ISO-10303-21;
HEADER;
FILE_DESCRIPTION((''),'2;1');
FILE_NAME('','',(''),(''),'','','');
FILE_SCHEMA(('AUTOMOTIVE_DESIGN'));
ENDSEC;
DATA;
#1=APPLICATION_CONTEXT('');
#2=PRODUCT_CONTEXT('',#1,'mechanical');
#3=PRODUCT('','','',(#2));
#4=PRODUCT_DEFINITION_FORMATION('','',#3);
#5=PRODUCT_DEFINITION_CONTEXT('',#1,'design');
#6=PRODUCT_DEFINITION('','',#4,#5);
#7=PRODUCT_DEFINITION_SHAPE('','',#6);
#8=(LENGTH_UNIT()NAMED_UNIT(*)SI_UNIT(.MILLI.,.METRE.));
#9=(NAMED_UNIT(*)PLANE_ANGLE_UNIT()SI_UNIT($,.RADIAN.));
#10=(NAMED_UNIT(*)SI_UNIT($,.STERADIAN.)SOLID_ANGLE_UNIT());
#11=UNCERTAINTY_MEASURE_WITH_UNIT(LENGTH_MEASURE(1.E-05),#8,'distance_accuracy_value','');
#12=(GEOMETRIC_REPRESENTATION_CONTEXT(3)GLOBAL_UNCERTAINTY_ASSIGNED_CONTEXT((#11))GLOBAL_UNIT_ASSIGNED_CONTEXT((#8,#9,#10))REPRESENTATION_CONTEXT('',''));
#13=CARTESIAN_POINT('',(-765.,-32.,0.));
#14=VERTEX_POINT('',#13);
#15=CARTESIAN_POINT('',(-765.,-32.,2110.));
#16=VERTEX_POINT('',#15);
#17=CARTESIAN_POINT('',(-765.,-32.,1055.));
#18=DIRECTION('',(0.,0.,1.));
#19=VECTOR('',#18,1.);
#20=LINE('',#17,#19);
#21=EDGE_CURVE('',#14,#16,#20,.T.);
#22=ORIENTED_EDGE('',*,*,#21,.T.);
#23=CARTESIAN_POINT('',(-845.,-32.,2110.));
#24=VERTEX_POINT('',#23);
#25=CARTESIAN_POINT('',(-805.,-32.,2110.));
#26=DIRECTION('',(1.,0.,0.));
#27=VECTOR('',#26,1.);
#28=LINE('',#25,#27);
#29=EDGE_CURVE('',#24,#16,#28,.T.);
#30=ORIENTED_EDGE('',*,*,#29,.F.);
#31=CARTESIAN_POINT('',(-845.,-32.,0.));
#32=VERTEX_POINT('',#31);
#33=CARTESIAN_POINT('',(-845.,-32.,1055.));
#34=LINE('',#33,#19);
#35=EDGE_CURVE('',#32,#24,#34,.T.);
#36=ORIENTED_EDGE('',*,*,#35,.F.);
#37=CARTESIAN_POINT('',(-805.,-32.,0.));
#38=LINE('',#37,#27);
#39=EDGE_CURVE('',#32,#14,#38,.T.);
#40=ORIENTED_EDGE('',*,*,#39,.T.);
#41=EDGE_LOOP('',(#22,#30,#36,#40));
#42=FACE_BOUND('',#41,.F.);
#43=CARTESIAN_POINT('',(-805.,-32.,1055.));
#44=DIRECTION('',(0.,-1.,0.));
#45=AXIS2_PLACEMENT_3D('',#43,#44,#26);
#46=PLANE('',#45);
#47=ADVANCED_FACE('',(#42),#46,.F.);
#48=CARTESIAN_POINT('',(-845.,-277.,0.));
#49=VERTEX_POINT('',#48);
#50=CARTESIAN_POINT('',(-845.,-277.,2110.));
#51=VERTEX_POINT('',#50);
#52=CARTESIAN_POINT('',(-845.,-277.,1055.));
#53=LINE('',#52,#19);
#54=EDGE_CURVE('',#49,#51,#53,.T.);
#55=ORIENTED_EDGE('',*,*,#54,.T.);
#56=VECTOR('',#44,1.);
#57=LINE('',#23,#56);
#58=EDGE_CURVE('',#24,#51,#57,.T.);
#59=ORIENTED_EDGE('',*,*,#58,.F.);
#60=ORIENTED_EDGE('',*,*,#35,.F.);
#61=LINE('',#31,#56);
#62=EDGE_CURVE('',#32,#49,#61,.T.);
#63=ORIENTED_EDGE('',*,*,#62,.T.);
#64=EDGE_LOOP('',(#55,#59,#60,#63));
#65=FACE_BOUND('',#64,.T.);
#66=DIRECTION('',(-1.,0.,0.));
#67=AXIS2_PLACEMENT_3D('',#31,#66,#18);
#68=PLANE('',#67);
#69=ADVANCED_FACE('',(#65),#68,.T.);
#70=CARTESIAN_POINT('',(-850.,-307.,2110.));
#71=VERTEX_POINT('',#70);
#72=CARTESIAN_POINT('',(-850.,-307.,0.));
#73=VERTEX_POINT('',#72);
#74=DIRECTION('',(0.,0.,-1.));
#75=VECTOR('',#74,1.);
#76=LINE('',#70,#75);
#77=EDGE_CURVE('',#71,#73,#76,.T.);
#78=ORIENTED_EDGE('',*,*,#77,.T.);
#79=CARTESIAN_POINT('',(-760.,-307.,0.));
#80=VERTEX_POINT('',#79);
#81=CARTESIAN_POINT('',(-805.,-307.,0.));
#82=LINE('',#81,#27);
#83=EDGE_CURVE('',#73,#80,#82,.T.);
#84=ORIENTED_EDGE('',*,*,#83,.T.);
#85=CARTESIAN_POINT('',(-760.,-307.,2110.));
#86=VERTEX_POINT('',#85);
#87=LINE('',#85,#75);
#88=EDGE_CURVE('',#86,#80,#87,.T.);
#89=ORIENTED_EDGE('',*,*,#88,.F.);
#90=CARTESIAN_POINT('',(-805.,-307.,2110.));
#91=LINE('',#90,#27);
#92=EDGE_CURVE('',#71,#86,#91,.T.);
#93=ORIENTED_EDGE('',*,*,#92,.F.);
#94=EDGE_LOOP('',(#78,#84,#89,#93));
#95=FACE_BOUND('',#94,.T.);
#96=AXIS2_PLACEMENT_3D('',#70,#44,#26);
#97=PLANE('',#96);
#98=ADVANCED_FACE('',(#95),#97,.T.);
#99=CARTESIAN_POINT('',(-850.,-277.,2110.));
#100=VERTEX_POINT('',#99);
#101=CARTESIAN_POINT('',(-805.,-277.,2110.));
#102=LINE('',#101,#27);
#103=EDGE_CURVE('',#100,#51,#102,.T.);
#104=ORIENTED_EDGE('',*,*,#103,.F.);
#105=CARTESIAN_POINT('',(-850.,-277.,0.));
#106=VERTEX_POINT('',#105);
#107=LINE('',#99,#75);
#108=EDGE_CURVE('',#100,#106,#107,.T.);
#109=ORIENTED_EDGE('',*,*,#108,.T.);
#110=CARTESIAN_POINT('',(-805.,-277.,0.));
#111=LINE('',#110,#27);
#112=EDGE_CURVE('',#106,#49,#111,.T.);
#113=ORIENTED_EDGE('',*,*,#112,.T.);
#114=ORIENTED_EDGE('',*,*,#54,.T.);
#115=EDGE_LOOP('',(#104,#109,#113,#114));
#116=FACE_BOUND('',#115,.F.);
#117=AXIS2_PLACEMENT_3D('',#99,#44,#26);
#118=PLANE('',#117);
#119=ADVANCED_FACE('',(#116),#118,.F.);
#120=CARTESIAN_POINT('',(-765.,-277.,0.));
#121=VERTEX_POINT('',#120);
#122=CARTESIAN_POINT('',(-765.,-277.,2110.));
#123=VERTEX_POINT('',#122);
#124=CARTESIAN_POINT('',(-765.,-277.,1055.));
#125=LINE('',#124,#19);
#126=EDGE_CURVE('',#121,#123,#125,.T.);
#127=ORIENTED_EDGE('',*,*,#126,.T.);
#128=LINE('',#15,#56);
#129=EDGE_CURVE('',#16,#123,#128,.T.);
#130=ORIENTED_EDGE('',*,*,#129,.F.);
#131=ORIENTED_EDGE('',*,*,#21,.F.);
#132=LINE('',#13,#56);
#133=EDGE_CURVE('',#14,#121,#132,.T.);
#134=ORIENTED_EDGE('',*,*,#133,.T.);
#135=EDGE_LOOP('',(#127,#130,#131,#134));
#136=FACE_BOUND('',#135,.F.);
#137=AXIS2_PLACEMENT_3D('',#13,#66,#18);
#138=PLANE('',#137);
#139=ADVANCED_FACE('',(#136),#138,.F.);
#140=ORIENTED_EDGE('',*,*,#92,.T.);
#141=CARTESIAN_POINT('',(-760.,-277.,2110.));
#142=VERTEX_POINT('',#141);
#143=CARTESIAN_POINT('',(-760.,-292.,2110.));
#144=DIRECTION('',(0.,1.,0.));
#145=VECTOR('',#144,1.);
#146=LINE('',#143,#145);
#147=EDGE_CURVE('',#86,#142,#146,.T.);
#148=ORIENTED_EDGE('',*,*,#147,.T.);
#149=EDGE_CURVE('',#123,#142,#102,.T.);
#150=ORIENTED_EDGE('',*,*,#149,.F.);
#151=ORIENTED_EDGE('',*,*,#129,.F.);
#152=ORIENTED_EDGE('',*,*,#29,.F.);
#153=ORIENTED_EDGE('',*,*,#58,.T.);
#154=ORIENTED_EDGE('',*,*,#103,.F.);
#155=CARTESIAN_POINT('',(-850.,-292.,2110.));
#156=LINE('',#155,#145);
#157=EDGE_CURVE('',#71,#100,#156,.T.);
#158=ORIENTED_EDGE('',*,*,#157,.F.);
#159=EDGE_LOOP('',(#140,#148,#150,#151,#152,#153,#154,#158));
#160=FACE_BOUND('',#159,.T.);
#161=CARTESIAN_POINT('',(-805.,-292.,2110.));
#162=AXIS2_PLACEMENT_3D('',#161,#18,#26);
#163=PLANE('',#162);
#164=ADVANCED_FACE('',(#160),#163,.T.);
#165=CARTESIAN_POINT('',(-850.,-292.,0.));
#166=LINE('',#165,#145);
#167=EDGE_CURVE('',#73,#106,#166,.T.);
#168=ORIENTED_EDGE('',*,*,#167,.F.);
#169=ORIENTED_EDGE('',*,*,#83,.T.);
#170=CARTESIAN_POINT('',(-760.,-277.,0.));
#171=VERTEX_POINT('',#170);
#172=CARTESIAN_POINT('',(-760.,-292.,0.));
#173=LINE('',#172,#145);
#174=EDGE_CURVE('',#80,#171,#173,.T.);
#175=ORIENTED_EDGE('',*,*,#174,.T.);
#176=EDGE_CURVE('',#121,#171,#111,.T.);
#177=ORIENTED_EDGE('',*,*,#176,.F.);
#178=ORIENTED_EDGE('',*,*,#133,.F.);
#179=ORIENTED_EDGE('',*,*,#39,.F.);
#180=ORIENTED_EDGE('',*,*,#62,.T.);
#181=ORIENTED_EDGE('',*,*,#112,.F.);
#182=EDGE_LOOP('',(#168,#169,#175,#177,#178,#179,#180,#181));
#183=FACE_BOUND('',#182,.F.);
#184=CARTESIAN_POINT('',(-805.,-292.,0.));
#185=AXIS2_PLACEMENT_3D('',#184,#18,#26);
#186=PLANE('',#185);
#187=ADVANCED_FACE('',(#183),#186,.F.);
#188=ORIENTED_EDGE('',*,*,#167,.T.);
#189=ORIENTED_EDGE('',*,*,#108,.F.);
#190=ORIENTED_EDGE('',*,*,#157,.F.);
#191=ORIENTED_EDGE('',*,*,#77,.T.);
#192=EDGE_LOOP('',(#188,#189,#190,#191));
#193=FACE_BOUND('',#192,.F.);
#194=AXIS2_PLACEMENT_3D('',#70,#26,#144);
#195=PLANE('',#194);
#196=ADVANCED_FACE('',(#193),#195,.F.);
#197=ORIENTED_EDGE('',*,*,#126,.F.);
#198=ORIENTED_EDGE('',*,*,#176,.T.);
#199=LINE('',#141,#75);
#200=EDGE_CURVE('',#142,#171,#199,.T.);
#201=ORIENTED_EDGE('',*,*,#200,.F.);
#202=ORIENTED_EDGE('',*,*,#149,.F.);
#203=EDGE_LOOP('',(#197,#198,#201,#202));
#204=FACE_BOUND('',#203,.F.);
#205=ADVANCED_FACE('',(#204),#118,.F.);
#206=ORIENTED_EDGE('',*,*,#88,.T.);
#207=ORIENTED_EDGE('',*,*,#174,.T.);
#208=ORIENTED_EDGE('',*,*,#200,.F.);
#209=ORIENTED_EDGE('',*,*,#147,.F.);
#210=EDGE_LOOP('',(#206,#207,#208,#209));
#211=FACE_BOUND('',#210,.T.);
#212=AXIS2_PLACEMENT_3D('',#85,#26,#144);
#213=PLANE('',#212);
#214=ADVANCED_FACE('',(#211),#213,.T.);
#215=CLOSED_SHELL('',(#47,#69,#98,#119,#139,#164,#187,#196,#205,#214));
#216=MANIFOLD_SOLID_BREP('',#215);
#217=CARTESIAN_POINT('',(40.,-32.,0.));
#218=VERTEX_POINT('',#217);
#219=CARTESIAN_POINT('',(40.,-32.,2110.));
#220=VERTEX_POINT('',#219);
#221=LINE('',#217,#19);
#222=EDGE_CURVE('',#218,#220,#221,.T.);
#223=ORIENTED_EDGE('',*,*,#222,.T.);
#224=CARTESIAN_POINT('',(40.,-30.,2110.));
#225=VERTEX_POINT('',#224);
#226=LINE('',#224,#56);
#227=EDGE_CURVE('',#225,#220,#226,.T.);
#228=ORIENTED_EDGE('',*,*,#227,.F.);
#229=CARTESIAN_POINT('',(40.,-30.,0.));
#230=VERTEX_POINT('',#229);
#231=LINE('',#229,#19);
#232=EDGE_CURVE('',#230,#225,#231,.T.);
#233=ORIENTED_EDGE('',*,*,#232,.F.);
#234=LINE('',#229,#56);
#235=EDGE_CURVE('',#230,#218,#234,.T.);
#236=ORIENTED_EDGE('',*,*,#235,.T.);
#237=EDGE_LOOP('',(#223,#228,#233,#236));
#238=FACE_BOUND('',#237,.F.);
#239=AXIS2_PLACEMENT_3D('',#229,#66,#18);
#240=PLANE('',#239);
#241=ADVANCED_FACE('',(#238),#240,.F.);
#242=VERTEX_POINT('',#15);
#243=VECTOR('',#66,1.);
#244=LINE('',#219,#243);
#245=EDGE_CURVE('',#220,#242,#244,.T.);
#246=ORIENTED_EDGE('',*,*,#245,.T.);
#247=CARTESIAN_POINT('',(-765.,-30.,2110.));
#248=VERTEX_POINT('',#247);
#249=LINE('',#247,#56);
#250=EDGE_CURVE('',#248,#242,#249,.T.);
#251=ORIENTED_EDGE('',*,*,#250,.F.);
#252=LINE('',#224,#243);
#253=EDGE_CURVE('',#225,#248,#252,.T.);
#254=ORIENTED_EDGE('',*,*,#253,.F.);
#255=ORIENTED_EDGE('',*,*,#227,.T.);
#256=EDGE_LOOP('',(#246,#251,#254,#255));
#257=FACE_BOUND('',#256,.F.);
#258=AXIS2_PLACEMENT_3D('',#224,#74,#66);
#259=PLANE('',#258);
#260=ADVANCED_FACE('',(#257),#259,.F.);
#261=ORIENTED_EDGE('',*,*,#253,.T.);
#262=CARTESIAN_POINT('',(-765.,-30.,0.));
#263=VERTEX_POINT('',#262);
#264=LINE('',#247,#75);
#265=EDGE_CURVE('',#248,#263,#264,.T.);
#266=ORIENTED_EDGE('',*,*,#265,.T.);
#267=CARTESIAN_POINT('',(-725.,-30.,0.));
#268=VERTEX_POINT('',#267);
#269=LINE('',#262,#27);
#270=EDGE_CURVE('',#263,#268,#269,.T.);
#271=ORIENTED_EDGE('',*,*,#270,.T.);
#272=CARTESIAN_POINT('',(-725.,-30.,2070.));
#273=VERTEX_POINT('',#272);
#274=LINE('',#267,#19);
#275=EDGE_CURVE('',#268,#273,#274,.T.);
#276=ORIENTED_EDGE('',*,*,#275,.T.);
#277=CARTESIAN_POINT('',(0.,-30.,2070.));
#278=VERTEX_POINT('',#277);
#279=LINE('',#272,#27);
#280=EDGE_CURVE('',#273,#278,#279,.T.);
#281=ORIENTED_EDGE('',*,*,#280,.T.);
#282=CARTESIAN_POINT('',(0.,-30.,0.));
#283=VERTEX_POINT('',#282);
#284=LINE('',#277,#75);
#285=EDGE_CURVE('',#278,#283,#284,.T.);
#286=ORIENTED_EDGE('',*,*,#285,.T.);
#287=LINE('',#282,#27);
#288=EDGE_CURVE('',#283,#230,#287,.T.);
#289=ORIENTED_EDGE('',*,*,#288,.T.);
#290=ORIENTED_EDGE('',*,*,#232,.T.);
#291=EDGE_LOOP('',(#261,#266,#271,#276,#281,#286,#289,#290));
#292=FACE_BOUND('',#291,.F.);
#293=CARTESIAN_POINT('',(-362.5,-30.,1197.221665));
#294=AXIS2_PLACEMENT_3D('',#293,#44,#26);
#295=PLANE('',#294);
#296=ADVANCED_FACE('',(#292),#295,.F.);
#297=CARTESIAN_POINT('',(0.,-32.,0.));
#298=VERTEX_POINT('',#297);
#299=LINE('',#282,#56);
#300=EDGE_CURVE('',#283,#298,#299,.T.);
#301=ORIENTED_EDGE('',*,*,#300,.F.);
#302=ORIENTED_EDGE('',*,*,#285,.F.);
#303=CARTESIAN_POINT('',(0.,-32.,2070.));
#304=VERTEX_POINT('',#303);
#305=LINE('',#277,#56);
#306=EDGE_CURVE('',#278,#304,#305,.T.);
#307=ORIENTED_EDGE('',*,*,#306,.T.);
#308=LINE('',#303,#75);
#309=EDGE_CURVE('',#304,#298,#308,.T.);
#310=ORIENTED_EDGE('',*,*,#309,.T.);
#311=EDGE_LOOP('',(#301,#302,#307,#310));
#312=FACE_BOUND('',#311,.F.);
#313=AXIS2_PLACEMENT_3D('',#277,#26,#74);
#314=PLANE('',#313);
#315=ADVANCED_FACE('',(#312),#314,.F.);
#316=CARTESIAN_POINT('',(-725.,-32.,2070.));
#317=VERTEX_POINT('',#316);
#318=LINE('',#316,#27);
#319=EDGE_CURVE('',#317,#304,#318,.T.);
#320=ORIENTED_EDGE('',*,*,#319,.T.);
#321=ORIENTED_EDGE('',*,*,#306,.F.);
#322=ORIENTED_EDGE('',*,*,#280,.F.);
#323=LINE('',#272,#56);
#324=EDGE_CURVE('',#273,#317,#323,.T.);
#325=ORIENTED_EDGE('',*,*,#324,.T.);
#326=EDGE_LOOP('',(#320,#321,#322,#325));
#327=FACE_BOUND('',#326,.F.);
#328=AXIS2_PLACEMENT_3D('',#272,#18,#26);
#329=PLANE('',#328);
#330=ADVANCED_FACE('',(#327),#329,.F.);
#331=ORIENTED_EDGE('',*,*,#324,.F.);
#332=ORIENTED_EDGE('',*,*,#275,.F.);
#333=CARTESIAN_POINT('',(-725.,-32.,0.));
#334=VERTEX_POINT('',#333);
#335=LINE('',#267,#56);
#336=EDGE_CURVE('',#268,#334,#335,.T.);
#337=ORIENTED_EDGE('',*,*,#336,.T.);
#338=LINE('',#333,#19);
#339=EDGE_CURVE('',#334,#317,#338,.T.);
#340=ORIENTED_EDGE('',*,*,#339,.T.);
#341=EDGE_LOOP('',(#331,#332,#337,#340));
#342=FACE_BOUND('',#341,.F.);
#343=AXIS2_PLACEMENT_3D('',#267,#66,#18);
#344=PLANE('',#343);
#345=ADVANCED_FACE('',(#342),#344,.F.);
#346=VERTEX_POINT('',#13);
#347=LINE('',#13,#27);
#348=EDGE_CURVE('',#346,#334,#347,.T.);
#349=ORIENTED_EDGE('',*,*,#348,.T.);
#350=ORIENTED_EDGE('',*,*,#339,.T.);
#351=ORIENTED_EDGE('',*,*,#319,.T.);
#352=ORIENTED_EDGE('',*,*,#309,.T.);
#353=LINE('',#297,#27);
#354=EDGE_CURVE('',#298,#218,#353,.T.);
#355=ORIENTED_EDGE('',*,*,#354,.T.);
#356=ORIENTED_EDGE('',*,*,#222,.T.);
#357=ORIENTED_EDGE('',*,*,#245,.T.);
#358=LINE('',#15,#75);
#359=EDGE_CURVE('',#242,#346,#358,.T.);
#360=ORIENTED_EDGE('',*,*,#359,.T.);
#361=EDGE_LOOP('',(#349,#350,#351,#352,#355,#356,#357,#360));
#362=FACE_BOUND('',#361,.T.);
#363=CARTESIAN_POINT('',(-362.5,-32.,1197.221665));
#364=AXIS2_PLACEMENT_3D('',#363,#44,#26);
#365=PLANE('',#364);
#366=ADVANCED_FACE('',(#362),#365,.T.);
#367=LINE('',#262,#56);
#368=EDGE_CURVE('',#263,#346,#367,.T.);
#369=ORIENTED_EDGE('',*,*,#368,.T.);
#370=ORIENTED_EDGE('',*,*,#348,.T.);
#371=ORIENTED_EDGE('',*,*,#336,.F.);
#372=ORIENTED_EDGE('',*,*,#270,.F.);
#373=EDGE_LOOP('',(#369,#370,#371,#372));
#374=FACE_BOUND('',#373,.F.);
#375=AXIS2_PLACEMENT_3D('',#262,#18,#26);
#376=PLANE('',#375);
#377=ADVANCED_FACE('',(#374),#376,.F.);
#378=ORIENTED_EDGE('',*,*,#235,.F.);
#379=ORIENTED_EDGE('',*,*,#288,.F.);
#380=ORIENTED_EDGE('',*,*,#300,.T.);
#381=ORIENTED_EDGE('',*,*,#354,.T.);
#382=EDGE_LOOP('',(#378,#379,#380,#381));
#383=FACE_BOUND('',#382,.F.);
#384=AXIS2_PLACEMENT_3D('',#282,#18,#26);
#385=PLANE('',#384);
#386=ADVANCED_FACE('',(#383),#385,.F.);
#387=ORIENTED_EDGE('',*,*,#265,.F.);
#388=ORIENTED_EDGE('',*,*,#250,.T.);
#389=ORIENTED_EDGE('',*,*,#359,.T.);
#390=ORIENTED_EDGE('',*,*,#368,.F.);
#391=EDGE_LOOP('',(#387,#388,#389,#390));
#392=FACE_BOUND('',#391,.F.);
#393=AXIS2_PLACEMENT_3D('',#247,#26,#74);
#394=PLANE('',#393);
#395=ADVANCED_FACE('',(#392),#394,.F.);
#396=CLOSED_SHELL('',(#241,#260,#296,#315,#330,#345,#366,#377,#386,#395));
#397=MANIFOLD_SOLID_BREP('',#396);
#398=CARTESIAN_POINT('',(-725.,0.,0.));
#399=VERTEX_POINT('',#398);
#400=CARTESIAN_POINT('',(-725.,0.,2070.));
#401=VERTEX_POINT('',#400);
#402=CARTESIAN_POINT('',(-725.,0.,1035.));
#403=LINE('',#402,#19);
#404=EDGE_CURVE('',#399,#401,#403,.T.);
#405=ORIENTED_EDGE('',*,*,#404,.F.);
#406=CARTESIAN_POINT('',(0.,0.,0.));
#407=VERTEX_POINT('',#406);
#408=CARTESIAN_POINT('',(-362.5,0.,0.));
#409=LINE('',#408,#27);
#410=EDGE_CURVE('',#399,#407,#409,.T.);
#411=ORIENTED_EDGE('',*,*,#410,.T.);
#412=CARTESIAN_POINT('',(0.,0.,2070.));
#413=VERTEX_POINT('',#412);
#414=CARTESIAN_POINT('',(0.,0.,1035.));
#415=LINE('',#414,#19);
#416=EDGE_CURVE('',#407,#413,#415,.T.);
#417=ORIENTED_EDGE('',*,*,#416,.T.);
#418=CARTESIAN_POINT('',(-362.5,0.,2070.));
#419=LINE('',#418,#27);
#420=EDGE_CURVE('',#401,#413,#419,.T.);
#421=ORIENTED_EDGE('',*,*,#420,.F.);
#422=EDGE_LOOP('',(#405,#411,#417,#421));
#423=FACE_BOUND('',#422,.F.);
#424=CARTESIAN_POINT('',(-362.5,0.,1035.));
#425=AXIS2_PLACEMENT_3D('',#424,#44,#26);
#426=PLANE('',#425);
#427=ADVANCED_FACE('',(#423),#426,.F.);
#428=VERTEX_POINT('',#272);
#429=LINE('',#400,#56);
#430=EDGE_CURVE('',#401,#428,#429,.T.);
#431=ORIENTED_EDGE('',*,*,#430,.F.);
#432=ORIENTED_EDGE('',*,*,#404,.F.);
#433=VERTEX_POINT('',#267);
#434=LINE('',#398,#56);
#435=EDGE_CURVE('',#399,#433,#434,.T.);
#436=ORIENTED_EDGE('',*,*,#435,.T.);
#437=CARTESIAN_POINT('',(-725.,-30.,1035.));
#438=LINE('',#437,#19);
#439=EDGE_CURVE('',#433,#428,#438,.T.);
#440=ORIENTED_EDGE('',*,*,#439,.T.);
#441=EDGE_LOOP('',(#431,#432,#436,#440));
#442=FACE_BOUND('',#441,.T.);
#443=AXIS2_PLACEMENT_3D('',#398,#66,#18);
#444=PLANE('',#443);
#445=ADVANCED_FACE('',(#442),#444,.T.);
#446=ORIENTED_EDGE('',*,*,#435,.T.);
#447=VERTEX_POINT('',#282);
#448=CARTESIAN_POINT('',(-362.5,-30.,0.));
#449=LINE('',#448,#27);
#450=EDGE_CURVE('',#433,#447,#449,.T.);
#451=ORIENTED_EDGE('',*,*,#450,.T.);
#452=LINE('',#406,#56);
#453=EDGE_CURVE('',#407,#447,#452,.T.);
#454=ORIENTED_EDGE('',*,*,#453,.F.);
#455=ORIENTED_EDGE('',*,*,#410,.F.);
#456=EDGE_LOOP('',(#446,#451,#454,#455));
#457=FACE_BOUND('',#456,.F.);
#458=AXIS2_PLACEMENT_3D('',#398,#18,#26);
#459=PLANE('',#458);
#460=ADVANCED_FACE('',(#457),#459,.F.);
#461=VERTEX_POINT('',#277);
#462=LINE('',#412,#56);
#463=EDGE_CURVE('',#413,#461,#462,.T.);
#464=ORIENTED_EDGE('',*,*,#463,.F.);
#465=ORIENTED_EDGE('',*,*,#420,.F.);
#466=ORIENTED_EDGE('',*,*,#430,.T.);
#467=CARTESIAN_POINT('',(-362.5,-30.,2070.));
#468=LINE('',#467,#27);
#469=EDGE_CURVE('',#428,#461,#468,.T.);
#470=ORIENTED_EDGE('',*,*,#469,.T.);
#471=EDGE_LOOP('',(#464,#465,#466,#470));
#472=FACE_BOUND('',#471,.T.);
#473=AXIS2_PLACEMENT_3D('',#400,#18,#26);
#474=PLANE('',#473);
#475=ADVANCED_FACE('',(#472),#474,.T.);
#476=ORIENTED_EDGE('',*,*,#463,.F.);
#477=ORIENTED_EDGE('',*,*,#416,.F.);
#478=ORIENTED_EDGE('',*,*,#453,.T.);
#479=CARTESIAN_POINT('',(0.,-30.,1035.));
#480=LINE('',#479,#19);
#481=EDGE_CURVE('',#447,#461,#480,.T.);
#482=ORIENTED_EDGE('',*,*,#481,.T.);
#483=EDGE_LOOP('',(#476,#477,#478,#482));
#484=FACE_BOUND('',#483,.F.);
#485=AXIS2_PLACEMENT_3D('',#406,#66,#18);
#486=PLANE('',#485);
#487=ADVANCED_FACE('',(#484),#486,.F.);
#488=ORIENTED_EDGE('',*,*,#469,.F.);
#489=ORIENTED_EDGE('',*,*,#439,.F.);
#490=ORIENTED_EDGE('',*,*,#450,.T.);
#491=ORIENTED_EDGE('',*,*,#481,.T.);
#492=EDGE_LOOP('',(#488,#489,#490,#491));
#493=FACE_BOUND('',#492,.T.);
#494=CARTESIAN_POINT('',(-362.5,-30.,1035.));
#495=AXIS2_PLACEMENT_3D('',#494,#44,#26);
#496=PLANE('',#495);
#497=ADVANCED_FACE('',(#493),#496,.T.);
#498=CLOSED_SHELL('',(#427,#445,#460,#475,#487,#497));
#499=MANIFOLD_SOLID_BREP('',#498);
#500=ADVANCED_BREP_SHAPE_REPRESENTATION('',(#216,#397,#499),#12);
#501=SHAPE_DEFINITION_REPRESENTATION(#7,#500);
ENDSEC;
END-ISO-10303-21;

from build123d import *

# Parameters (mm, degrees)
F0_W     = 725
F0_H     = 2070
F1_DEPTH = 30
F3_DEPTH = 2
F4_W     = 80
F4_H     = 2110
F5_DEPTH = 245
F6_W     = 90
F6_H     = 30
F7_DEPTH = 2110


with BuildPart() as f1:
    # F0 (on Front) → F1 (new body)
    with BuildSketch(Plane.XZ):
        with Locations((-362.5, 1035)):
            Rectangle(F0_W, F0_H)
    extrude(amount=F1_DEPTH)


with BuildPart() as f3:
    # F2 (on face) → F3 (new body)
    with BuildSketch(Plane.XZ.offset(30)):
        Polygon((-765, 0), (-725, 0), (-725, 2070), (0, 2070), (0, 0), (40, 0), (40, 2110), (0, 2110), (-725, 2110), (-765, 2110), align=None)
    extrude(amount=F3_DEPTH)


with BuildPart() as f5:
    # F4 (on face) → F5 (new body)
    with BuildSketch(Plane.XZ.offset(32)):
        with Locations((-805, 1055)):
            Rectangle(F4_W, F4_H)
    extrude(amount=F5_DEPTH)

    # F6 (on face) → F7 (join)
    with BuildSketch(Plane.XY.offset(2110)):
        with Locations((-805, -292)):
            Rectangle(F6_W, F6_H)
    extrude(amount=-F7_DEPTH)


solid = Compound([f1.part, f3.part, f5.part])
